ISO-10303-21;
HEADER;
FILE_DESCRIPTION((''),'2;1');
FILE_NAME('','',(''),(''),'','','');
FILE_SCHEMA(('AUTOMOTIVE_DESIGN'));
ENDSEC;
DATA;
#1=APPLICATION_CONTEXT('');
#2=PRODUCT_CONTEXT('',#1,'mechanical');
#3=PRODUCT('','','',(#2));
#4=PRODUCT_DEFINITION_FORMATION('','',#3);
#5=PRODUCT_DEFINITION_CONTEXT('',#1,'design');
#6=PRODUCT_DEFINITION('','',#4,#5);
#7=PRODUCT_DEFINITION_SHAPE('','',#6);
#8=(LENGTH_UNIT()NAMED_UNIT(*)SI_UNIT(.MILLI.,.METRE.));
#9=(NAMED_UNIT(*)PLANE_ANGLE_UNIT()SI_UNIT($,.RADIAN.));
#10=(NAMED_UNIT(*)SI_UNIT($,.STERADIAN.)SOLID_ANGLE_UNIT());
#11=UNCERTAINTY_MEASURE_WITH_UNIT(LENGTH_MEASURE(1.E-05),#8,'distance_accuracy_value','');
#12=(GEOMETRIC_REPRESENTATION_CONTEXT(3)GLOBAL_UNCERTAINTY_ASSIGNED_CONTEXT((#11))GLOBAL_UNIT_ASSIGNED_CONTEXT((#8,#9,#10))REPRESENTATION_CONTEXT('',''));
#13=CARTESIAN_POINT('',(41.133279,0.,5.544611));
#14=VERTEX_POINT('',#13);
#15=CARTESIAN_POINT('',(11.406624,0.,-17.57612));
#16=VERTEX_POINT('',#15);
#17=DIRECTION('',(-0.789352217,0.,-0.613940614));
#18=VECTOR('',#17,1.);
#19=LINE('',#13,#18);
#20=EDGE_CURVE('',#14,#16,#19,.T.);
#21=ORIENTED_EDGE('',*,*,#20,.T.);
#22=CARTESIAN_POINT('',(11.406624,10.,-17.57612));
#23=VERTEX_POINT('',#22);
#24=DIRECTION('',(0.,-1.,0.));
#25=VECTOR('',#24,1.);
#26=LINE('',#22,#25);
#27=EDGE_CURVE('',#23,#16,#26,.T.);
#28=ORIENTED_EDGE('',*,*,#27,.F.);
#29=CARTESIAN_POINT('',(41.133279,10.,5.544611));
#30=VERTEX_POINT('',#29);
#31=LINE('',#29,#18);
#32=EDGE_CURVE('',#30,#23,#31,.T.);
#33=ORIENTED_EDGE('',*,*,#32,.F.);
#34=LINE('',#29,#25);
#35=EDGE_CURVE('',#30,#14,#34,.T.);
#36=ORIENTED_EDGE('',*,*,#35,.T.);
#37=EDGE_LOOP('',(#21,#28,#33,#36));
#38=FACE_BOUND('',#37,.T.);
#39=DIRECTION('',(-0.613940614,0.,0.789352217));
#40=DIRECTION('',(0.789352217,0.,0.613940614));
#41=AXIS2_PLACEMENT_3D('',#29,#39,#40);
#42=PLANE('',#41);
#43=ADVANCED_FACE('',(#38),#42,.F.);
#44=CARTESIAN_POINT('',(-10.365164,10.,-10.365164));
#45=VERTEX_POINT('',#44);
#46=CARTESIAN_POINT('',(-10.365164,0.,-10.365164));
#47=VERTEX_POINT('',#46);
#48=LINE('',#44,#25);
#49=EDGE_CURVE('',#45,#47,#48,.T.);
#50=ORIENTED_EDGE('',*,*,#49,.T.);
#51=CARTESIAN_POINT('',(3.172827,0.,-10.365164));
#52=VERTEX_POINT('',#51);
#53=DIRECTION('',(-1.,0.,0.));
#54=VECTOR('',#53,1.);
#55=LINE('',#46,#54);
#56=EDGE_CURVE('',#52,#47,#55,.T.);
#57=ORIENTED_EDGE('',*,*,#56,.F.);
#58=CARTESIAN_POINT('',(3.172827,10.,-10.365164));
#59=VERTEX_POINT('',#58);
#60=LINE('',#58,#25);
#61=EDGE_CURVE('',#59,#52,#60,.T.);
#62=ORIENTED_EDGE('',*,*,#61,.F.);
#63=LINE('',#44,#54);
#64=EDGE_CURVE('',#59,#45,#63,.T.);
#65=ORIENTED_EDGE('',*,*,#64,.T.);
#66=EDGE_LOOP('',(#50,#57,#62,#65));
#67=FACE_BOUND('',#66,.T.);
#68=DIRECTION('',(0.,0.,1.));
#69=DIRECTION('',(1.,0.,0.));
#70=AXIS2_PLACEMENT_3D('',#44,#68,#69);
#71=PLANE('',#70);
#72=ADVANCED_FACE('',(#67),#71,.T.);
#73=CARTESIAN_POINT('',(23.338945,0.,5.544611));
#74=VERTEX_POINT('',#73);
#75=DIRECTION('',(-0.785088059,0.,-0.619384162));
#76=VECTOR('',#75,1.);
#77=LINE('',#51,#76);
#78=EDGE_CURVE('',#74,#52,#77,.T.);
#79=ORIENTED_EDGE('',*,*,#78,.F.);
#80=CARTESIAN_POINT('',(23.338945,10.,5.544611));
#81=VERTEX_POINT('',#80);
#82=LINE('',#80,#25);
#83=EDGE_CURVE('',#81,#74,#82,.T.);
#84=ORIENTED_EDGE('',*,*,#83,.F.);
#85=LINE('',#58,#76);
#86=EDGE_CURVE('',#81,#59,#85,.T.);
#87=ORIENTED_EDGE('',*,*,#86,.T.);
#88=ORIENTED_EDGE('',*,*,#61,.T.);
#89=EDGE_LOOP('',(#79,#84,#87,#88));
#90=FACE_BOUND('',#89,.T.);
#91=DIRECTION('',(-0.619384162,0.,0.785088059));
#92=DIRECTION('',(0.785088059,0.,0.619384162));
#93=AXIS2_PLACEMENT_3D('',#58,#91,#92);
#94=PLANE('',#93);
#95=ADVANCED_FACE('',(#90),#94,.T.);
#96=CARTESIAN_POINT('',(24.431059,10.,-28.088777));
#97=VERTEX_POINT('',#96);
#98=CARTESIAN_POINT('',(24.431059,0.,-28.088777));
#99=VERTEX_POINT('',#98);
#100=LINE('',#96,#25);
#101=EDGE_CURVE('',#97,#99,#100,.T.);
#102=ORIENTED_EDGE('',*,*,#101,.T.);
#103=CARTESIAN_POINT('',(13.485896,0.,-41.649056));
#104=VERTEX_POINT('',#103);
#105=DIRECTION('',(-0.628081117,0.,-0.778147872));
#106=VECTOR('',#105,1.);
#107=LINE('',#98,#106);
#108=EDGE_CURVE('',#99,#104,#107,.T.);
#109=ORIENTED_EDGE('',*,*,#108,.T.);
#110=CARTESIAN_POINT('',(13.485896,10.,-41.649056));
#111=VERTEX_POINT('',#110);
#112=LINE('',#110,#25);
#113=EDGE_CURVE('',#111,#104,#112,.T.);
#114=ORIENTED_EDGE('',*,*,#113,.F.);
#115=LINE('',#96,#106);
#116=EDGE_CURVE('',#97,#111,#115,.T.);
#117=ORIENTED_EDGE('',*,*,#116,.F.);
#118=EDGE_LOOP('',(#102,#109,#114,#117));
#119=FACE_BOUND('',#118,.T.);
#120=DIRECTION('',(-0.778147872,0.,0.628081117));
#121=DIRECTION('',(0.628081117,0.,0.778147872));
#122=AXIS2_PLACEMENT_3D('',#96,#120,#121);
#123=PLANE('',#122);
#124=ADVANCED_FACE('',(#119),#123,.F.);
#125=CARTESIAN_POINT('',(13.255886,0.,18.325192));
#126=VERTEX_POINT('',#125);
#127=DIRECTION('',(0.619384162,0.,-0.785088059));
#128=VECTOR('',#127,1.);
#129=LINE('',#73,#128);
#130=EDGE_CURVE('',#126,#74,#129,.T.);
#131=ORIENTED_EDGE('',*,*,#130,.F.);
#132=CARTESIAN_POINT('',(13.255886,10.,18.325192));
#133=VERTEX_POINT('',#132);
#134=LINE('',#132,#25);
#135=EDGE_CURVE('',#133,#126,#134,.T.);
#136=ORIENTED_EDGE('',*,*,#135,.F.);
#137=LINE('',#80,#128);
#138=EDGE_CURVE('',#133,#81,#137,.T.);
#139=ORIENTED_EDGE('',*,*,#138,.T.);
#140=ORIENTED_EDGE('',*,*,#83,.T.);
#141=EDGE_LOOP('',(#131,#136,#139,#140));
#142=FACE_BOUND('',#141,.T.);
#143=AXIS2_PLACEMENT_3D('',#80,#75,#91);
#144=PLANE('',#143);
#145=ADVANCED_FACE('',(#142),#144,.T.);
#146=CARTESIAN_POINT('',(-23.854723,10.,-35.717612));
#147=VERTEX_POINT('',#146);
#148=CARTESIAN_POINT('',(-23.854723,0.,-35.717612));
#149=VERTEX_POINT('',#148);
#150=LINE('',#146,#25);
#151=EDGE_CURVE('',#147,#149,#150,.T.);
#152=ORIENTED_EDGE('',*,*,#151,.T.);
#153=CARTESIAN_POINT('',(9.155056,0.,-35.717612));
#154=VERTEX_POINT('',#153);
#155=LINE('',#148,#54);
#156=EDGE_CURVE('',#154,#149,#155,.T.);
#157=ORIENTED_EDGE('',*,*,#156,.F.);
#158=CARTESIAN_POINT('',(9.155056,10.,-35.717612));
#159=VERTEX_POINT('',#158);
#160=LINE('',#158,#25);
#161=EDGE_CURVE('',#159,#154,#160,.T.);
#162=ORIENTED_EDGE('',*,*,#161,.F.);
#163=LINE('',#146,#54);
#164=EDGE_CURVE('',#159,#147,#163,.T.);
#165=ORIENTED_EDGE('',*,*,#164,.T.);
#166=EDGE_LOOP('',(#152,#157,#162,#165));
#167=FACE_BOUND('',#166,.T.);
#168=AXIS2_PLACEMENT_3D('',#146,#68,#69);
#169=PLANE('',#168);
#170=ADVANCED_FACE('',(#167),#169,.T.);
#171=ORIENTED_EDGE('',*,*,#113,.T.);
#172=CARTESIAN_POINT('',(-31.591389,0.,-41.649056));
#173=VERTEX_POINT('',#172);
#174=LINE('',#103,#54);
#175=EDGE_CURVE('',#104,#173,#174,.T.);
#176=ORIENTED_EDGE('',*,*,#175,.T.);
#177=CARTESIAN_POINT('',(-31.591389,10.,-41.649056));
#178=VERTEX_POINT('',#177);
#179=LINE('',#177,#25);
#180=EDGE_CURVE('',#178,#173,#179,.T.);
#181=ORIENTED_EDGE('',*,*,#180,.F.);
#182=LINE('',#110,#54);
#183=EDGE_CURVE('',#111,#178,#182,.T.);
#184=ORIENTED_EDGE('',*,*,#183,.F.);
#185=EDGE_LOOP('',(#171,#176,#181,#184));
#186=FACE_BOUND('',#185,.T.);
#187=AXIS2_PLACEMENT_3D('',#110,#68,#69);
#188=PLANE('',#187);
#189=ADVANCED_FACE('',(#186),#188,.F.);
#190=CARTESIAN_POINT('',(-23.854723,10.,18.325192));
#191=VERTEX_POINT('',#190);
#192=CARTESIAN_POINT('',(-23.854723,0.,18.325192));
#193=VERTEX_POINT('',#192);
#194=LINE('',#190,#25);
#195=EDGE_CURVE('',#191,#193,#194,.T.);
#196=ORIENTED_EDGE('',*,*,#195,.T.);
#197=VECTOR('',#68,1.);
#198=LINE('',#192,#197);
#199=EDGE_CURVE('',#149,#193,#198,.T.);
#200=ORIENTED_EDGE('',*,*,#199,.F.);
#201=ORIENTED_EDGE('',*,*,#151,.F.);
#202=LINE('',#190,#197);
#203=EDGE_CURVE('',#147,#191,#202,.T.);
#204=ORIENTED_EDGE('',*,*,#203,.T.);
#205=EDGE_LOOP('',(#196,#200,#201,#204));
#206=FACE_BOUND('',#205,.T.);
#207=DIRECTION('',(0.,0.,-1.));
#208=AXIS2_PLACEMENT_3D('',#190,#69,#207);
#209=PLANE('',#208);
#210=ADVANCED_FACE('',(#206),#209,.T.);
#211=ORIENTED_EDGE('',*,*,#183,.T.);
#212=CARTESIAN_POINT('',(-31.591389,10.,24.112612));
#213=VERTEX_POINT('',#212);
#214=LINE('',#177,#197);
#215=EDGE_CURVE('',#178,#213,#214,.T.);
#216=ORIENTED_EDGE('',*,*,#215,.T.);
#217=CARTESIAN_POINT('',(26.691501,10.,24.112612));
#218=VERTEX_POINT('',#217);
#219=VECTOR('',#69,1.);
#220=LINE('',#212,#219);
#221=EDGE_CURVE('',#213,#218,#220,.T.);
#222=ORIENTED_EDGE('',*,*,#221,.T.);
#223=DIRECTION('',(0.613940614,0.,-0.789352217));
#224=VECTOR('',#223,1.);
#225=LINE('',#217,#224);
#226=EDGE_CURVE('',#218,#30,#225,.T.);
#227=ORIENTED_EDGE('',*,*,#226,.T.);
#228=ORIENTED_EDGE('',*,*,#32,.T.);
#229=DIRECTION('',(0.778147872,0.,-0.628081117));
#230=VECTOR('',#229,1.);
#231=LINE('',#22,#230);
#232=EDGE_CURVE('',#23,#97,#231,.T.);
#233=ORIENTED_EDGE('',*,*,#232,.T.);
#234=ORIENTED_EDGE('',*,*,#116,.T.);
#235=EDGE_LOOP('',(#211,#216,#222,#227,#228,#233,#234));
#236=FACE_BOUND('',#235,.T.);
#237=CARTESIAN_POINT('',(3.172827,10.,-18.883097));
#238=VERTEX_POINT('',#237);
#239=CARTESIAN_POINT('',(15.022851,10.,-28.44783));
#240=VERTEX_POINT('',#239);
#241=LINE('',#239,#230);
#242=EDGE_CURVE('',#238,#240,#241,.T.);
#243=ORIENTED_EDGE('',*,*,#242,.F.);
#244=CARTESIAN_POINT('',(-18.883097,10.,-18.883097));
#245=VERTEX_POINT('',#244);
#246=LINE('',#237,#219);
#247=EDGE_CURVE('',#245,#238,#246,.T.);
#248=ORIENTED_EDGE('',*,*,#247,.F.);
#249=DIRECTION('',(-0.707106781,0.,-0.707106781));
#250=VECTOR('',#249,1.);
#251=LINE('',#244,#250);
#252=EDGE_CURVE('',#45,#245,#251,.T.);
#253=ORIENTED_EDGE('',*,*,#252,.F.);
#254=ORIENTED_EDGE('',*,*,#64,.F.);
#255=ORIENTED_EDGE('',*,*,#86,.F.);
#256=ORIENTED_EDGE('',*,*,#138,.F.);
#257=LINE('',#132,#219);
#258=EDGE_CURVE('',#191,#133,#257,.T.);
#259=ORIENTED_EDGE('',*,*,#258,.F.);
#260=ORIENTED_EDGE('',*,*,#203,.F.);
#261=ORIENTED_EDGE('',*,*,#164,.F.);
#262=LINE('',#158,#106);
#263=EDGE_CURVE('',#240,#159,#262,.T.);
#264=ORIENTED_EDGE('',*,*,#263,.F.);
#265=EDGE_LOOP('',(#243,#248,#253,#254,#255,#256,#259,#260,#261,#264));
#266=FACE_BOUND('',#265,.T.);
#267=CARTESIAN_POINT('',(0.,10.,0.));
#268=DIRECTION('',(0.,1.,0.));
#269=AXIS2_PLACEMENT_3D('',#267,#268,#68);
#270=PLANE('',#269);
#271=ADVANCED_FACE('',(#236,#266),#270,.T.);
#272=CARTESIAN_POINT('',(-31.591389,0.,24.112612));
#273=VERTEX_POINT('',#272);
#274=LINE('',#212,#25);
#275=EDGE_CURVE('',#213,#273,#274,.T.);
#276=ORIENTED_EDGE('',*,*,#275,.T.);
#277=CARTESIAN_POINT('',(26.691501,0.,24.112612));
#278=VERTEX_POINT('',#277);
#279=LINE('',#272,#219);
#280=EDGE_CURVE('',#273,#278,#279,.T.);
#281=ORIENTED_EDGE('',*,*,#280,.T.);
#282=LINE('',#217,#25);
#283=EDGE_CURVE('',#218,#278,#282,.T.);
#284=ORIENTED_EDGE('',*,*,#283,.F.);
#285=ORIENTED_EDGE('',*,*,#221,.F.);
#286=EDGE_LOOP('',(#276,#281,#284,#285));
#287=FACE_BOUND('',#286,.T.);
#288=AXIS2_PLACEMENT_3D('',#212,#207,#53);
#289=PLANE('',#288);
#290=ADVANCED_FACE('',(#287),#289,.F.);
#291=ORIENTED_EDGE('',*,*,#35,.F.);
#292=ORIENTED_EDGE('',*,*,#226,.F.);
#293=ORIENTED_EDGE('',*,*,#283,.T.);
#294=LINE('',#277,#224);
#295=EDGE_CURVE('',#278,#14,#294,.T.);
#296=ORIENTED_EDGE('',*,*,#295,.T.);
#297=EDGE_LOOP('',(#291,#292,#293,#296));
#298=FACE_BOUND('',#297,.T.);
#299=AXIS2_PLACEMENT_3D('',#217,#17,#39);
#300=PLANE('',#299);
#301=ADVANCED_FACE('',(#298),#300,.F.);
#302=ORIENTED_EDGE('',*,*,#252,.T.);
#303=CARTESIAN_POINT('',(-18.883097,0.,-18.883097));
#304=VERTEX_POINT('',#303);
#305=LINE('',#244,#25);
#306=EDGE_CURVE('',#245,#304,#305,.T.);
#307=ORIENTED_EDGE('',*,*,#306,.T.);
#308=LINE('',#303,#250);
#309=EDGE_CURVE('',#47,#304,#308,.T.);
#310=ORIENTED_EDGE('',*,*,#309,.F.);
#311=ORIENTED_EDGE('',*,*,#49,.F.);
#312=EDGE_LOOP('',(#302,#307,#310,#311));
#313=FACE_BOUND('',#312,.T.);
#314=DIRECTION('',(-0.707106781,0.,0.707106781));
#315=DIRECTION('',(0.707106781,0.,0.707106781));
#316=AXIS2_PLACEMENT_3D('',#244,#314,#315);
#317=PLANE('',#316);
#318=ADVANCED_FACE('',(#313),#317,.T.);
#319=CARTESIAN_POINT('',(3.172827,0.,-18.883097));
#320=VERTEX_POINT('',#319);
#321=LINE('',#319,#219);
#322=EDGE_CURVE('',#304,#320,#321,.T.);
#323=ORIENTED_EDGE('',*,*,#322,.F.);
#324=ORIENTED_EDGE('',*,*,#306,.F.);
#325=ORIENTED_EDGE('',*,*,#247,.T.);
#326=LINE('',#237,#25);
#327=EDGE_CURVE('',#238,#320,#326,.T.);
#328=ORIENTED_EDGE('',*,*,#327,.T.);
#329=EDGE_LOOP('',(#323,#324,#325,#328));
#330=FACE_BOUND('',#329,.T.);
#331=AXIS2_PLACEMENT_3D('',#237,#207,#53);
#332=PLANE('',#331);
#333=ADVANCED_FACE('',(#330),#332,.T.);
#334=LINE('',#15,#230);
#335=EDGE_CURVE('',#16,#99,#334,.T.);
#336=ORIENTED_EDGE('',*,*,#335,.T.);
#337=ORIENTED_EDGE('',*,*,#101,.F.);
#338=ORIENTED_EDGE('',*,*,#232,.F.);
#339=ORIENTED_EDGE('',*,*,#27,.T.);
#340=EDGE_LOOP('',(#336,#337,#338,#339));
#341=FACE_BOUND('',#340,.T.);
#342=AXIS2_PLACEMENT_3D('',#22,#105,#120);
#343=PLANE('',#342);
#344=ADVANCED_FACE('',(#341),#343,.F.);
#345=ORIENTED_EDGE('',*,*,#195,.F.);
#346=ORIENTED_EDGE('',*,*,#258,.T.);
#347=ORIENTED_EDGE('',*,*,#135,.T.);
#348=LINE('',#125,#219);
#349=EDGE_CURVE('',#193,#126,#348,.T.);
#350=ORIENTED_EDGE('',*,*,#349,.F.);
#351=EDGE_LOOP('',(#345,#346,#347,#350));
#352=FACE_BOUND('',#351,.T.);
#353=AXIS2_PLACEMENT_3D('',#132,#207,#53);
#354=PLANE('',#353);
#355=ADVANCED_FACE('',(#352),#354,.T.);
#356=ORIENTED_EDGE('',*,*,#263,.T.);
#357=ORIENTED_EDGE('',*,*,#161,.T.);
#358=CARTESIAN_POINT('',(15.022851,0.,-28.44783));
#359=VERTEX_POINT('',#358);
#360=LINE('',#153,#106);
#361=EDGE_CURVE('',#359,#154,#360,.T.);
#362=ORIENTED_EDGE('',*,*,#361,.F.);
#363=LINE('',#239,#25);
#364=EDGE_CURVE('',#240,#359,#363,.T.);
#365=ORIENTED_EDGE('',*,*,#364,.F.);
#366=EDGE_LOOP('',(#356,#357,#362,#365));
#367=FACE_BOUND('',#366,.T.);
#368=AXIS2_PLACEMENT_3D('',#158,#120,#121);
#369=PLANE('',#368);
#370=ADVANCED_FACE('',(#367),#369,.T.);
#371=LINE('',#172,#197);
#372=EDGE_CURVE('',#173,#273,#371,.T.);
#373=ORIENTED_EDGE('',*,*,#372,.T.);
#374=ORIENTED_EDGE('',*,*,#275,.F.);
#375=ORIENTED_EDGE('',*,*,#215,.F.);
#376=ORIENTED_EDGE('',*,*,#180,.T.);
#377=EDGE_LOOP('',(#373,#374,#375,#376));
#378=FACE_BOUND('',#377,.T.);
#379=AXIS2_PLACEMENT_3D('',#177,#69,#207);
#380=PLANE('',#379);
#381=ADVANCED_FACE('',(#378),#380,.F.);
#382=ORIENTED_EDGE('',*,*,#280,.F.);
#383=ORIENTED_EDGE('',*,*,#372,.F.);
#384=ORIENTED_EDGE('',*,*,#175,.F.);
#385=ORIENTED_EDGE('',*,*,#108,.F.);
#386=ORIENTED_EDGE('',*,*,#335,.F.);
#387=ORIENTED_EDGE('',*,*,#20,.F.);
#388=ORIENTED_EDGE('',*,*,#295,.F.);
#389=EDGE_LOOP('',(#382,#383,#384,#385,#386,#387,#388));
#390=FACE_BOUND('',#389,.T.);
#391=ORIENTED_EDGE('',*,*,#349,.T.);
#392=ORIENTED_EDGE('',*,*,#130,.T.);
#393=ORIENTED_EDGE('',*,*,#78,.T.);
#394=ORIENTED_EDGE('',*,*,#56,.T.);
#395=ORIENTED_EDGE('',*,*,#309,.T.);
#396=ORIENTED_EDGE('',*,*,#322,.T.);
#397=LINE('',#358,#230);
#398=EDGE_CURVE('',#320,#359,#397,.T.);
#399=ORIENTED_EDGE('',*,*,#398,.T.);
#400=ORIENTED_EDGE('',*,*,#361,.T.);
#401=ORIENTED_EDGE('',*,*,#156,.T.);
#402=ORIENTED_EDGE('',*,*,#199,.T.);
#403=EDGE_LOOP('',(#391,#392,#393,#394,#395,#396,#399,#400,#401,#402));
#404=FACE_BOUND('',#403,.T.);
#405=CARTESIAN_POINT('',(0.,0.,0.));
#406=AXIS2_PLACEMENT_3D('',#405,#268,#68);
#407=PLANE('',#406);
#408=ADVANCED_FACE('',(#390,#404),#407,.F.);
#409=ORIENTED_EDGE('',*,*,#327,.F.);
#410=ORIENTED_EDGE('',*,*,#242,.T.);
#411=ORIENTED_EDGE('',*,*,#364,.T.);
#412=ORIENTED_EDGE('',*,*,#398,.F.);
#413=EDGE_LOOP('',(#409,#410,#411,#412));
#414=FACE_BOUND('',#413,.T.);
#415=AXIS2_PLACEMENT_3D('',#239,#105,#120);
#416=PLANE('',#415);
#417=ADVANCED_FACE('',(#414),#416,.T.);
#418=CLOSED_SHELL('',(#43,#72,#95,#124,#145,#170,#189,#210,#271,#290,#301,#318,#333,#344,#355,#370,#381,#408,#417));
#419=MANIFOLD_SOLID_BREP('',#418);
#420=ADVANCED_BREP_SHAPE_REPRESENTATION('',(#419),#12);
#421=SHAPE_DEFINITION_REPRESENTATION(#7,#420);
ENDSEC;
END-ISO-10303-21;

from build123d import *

# Parameters (mm, degrees)
BOSS_EXTRUDE1_DEPTH = 10


with BuildPart() as part:
    # Sketch1 → Boss-Extrude1 (new body)
    with BuildSketch(Plane(origin=(0, 0, 0), x_dir=(1, 0, 0), z_dir=(0, 1, 0))):
        Polygon((-31.591389498, 41.649056358), (-31.591389498, -24.112611576), (26.691500514, -24.112611576), (41.13327857, -5.544611218), (11.406624151, 17.576119997), (24.431058906, 28.088776811), (13.485895614, 41.649056358), align=None)
        Polygon((-23.854722682, 35.717611799), (9.155055732, 35.717611799), (15.022851217, 28.447830164), (3.172826817, 18.883097253), (-18.883097253, 18.883097253), (-10.365163505, 10.365163505), (3.172826817, 10.365163505), (23.338944894, -5.544611218), (13.255885856, -18.325191879), (-23.854722682, -18.325191879), align=None, mode=Mode.SUBTRACT)
    extrude(amount=BOSS_EXTRUDE1_DEPTH)


solid = part.part
